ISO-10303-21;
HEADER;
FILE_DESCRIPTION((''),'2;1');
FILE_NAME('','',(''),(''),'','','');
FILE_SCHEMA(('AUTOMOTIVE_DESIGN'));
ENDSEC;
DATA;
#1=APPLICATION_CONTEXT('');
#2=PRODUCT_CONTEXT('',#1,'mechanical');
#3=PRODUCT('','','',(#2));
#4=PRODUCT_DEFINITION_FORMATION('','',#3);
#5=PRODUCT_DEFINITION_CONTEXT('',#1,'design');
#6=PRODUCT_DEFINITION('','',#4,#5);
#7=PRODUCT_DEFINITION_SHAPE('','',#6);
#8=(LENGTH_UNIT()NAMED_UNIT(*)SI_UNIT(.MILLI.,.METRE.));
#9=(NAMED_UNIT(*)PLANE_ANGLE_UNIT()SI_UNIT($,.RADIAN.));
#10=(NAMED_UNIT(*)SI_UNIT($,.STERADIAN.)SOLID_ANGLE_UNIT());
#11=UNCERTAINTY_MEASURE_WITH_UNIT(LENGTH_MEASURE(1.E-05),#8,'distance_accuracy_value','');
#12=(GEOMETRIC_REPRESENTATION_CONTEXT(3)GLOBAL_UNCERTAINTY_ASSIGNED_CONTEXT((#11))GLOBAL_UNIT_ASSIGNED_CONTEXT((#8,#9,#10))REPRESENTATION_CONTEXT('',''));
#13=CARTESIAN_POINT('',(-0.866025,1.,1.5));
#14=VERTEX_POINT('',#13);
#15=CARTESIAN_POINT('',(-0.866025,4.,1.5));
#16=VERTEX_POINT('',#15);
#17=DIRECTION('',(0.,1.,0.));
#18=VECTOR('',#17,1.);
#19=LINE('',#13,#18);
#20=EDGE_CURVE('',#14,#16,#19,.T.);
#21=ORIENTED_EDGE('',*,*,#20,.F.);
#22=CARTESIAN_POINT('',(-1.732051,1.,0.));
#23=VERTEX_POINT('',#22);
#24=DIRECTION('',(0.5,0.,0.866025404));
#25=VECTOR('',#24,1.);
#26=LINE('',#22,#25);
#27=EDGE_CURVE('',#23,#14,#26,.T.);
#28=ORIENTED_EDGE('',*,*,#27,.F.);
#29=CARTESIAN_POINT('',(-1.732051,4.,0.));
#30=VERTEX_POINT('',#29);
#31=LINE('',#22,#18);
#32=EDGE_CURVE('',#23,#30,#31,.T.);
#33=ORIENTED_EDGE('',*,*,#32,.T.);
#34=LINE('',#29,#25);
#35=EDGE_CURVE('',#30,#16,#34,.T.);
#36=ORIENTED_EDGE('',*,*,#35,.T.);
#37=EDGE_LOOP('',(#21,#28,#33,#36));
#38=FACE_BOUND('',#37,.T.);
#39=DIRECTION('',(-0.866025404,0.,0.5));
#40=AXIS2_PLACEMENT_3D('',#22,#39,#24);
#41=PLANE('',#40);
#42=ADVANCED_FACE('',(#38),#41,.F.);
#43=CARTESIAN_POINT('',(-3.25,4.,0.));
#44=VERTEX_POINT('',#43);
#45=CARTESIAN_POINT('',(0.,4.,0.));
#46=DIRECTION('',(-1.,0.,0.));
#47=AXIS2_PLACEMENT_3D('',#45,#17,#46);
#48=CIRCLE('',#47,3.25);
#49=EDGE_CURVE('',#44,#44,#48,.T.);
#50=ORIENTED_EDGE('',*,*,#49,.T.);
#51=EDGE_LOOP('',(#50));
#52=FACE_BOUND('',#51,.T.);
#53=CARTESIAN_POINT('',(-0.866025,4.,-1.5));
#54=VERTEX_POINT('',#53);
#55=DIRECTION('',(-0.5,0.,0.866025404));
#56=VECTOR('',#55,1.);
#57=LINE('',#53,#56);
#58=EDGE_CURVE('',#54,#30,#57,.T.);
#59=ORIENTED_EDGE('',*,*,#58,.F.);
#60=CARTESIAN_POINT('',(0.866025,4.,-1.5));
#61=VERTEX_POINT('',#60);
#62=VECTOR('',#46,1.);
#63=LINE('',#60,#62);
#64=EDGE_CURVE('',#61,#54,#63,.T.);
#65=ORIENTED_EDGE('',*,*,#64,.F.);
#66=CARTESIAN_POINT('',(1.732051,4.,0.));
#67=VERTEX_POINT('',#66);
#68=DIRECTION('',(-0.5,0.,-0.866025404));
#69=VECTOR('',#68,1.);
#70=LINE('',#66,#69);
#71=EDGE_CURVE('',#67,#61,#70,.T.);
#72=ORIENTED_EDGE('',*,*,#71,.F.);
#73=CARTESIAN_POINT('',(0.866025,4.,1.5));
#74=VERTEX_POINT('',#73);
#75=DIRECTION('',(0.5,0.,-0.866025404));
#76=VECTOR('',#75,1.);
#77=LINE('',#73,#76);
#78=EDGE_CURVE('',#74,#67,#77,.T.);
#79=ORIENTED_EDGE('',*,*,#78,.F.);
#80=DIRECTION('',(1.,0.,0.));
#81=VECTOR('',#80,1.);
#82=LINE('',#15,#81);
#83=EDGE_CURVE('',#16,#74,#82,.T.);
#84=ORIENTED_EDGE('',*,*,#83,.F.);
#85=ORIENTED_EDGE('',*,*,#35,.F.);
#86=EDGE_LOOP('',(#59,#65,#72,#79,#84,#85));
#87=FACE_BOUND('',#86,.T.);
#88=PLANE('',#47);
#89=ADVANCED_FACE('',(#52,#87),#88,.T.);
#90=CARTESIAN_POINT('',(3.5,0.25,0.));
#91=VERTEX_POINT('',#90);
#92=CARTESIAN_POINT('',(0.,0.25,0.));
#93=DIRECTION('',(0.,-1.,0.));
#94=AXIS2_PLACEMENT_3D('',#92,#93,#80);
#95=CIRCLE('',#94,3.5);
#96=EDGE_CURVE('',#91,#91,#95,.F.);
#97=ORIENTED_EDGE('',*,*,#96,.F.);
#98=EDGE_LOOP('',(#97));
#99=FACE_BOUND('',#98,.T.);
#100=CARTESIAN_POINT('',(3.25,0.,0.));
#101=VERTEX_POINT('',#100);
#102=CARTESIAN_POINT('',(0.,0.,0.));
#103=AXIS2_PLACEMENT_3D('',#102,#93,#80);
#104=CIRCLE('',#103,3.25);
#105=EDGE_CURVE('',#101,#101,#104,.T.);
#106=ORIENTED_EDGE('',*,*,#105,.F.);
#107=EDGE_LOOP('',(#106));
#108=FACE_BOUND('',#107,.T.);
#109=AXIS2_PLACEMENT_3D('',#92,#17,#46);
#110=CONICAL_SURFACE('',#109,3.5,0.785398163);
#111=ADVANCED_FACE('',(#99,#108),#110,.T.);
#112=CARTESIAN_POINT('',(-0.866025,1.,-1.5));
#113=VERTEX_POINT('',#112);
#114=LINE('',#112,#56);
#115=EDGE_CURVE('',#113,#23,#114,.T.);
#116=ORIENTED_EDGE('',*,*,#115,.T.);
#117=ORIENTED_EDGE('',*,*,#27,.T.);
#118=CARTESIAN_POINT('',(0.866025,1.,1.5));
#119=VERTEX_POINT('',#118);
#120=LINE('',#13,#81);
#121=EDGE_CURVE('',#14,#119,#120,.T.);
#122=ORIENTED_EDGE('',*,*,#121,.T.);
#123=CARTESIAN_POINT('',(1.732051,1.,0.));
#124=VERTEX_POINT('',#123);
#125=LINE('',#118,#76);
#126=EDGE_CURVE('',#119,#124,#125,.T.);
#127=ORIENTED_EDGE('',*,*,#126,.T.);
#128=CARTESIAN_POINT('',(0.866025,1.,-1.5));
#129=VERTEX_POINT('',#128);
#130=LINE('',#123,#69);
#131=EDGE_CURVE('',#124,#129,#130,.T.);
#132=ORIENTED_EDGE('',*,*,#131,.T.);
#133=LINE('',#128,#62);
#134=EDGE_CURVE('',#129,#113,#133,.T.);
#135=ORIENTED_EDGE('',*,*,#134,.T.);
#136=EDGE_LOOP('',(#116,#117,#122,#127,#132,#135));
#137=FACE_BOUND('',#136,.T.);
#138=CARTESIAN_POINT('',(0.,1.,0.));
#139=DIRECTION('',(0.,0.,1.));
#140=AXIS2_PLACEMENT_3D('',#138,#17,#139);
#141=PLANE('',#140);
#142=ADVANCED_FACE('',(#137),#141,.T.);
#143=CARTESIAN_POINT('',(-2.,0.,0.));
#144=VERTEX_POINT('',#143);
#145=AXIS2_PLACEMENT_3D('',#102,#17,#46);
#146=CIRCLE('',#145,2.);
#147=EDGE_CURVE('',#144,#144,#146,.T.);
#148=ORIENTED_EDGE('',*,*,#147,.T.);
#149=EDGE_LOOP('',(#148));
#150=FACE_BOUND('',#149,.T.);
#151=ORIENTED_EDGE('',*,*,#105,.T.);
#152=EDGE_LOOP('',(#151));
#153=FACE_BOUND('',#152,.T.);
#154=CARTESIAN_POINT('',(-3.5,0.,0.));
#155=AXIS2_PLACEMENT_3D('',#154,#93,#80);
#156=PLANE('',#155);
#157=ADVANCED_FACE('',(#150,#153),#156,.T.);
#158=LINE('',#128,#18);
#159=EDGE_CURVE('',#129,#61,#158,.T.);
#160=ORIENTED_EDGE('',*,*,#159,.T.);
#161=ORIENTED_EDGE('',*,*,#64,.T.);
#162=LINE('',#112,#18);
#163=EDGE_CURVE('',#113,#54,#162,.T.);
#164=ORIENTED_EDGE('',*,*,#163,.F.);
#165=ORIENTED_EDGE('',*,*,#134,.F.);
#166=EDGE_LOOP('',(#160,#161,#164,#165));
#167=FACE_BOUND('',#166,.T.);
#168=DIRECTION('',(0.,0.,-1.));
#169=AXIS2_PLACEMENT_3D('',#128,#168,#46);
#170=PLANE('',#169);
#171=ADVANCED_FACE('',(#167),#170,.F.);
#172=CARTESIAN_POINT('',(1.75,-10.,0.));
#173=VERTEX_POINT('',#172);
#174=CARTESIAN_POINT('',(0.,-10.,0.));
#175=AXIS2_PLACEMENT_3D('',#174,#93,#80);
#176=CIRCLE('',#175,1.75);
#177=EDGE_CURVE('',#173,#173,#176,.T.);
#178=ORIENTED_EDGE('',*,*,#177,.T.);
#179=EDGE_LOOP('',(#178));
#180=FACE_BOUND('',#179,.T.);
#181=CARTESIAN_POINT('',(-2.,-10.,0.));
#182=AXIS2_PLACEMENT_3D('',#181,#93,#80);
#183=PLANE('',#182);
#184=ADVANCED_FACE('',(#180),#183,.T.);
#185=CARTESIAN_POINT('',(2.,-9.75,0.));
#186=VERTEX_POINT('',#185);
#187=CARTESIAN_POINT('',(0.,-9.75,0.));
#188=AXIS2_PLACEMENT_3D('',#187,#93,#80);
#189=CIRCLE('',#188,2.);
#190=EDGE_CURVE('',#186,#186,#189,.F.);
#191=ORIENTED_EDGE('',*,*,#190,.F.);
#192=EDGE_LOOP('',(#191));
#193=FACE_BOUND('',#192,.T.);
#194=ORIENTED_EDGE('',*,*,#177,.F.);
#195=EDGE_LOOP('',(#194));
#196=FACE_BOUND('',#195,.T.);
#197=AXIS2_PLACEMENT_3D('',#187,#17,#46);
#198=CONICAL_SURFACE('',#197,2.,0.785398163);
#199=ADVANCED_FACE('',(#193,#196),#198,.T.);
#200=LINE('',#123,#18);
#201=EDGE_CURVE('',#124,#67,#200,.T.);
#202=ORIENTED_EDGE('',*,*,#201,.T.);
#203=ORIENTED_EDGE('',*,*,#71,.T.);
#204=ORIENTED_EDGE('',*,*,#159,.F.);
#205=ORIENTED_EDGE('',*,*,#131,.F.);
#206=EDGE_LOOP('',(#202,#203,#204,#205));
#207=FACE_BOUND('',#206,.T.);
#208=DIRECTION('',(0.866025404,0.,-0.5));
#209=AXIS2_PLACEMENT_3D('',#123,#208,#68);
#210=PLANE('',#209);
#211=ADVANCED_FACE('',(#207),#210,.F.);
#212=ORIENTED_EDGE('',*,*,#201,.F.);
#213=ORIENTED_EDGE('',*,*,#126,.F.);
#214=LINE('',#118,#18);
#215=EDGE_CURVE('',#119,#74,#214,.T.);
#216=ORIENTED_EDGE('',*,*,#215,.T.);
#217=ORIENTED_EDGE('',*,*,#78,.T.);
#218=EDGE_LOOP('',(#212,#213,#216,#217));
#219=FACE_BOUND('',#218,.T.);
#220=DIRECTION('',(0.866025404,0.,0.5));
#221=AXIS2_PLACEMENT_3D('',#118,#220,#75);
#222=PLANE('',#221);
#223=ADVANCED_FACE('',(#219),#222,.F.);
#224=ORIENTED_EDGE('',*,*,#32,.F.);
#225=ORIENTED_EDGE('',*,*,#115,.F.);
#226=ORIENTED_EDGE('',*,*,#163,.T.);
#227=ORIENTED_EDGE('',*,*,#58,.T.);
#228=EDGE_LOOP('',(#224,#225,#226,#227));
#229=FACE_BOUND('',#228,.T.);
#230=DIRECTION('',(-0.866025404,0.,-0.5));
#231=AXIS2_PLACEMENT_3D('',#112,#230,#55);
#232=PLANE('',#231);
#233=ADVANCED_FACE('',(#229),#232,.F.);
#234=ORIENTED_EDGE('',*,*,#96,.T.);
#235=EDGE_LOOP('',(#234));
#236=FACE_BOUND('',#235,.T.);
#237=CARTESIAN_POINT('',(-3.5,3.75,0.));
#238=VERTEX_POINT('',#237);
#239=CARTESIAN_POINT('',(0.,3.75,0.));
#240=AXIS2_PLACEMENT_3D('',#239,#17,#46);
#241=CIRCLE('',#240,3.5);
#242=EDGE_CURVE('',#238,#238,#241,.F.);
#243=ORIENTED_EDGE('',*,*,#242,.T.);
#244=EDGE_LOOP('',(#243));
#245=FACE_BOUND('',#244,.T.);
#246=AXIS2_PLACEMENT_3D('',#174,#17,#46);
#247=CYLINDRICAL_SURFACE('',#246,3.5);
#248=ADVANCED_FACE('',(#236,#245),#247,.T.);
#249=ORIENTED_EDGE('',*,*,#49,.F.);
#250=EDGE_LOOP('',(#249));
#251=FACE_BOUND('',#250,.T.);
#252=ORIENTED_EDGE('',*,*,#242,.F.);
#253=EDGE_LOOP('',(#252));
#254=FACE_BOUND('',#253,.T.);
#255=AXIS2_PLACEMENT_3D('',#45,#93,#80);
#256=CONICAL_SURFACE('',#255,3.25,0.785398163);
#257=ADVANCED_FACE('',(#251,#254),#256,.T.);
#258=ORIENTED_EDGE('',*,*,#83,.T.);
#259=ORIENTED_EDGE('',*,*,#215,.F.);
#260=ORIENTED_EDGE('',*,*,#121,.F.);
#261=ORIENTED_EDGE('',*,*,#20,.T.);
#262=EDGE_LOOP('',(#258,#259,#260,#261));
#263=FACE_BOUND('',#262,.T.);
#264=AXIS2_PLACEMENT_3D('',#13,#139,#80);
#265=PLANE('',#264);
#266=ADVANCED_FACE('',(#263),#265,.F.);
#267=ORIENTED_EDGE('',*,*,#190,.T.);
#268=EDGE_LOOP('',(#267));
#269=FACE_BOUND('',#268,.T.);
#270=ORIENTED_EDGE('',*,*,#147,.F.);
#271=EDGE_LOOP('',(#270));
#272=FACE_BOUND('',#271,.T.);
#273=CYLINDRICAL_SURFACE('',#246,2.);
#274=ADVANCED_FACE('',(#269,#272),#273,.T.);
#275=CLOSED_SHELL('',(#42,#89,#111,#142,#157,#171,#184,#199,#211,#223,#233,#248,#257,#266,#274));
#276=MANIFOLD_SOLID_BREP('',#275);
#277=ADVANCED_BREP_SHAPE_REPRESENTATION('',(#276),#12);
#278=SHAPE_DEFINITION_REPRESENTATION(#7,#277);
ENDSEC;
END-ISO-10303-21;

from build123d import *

# Parameters (mm, degrees)
CUT_EXTRUDE1_DEPTH = 3
CHAMFER1_SIZE      = 0.25


with BuildPart() as part:
    # Sketch1 → Revolve1 (revolve)
    with BuildSketch(Plane.XY):
        Polygon((0, 4), (-3.5, 4), (-3.5, 0), (-2, 0), (-2, -10), (0, -10), (0, 0), align=None)
    revolve(axis=Axis((0, -10, 0), (0, -1, 0)))

    # Sketch2 → Cut-Extrude1 (cut)
    with BuildSketch(Plane(origin=(0, 4, 0), x_dir=(1, 0, 0), z_dir=(0, 1, 0))):
        Polygon((0.866025404, 1.5), (-0.866025404, 1.5), (-1.732050808, 0), (-0.866025404, -1.5), (0.866025404, -1.5), (1.732050808, 0), align=None)
    extrude(amount=-CUT_EXTRUDE1_DEPTH, mode=Mode.SUBTRACT)

    # Chamfer1
    chamfer1_edges = [part.edges().sort_by_distance(p)[0] for p in [
        (2, -10, 0),
        (3.5, 0, 0),
        (3.5, 4, 0),
    ]]
    chamfer(chamfer1_edges, length=CHAMFER1_SIZE)


solid = part.part
